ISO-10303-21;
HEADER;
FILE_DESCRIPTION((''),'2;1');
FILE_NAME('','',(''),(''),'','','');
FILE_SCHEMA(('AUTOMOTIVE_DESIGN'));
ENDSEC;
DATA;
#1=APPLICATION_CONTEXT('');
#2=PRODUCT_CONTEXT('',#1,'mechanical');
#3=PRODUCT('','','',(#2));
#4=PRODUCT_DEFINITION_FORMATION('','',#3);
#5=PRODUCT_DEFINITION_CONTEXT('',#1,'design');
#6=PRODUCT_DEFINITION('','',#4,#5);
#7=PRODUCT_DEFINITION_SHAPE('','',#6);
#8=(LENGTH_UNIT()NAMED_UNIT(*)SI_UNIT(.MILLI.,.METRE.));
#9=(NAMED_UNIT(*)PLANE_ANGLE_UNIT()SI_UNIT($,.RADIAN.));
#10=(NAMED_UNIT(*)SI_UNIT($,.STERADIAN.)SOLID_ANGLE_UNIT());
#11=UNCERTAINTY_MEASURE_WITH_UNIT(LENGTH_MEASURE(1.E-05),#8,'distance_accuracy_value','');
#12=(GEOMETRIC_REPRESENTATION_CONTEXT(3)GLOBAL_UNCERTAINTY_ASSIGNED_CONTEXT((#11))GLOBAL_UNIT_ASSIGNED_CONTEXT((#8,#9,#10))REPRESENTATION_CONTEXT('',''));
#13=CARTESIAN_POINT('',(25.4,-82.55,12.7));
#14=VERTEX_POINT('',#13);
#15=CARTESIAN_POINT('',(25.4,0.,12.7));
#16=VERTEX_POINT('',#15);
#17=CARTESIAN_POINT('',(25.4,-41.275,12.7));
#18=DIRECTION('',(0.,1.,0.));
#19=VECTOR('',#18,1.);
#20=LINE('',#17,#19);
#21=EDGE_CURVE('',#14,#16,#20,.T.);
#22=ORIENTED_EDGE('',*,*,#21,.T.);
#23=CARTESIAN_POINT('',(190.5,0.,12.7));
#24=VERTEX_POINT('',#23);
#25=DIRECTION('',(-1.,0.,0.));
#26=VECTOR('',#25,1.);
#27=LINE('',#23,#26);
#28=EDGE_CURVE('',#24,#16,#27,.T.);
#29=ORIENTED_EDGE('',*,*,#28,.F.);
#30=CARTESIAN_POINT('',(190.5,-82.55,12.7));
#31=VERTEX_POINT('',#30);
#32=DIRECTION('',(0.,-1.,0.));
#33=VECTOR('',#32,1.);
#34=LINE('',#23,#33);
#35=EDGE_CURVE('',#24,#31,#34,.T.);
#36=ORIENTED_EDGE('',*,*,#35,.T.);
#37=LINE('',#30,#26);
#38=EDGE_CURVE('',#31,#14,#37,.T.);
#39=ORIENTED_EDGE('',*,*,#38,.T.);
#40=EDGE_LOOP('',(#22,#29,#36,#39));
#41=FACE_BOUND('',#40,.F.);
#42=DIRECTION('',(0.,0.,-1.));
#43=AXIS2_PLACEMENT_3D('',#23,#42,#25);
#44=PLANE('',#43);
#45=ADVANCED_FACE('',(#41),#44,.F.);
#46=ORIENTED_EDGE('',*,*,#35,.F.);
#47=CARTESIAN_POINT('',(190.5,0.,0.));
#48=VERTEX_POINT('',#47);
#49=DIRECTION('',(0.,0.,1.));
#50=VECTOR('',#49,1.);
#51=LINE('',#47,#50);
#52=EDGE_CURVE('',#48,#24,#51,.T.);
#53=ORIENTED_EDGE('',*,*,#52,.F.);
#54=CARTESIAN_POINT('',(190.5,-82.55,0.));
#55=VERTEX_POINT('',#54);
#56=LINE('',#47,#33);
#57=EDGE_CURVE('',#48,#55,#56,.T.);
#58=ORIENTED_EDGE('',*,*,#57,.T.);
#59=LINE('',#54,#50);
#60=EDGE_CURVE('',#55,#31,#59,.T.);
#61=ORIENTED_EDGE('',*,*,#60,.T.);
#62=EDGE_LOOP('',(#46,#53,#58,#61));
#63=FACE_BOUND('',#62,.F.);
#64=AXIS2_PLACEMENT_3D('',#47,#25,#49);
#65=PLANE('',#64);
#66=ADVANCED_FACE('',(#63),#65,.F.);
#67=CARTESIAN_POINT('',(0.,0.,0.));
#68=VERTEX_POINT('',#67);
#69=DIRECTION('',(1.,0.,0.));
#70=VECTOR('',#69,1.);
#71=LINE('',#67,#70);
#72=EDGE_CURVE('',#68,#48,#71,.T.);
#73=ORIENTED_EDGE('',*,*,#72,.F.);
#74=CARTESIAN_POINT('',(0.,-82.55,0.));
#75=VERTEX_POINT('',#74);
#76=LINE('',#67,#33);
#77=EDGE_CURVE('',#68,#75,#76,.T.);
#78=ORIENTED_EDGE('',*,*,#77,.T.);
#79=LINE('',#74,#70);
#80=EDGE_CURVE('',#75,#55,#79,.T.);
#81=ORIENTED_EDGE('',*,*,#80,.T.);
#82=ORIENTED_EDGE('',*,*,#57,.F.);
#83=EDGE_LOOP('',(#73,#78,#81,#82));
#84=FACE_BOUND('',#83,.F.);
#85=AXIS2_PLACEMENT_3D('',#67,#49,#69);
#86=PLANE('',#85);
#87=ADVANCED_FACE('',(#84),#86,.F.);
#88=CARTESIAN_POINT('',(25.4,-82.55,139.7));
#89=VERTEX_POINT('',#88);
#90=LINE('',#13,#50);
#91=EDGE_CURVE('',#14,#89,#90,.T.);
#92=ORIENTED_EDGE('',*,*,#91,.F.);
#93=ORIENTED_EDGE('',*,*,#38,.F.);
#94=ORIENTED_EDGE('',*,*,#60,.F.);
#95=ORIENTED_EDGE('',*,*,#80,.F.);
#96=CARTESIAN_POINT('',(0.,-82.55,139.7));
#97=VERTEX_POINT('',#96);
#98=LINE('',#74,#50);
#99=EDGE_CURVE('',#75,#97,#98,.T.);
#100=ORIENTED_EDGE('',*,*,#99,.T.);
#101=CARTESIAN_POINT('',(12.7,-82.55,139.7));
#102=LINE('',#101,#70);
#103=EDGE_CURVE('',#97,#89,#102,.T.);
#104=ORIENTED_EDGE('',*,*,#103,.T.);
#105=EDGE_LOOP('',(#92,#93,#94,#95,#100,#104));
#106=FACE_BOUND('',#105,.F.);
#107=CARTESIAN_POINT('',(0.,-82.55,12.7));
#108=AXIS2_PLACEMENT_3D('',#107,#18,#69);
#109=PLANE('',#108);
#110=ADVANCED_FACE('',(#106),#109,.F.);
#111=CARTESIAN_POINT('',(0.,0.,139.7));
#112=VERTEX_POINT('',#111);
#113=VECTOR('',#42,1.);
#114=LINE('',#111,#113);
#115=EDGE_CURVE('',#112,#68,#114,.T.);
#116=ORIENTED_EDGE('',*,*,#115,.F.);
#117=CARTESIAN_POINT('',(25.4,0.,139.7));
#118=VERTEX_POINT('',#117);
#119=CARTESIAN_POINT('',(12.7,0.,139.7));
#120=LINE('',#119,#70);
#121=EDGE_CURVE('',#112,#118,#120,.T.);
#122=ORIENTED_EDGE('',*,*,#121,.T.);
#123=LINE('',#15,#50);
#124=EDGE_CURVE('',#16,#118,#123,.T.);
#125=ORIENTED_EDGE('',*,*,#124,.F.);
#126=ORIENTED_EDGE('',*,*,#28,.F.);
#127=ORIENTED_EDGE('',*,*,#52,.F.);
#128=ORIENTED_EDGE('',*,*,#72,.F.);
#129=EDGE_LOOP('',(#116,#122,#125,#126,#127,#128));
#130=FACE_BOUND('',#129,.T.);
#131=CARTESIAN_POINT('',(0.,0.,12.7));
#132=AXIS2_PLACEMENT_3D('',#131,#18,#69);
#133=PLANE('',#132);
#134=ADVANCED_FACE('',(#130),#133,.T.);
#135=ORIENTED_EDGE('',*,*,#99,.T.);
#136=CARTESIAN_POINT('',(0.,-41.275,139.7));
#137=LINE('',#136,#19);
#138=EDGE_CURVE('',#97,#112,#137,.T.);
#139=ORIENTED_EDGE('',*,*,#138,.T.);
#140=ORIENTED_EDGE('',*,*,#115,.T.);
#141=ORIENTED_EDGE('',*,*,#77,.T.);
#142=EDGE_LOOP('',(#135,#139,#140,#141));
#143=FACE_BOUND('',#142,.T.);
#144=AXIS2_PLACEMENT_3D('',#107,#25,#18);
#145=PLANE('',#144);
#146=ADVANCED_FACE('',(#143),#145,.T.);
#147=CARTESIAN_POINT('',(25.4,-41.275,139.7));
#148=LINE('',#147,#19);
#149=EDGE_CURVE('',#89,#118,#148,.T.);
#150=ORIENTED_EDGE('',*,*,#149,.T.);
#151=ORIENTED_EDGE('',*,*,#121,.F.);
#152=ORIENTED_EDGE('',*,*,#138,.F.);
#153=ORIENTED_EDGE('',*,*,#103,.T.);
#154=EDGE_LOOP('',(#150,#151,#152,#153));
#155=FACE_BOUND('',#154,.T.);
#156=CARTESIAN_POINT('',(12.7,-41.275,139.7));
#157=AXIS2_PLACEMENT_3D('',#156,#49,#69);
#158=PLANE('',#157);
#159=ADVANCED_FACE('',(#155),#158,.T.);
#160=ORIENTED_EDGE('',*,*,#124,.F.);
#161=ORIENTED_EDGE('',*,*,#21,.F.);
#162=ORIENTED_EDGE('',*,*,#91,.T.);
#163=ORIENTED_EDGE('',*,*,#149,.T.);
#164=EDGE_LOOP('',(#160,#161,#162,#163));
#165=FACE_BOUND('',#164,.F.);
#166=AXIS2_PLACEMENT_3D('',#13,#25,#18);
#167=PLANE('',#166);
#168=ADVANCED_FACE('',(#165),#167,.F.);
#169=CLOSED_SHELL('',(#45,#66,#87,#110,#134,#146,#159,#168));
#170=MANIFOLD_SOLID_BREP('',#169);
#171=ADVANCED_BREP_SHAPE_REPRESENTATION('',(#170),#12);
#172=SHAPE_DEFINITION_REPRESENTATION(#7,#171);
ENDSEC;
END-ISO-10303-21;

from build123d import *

# Parameters (mm, degrees)
F1_DEPTH = 82.55
F2_W     = 25.4
F2_H     = 82.55
F3_DEPTH = 127


with BuildPart() as f1:
    # F0 (on Front) → F1 (new body)
    with BuildSketch(Plane.XZ):
        Polygon((0, 12.7), (0, 0), (190.5, 0), (190.5, 12.7), (38.1, 12.7), align=None)
    extrude(amount=F1_DEPTH)

    # F2 (on face) → F3 (join)
    with BuildSketch(Plane.XY.offset(12.7)):
        with Locations((12.7, -41.275)):
            Rectangle(F2_W, F2_H)
    extrude(amount=F3_DEPTH)


solid = f1.part
